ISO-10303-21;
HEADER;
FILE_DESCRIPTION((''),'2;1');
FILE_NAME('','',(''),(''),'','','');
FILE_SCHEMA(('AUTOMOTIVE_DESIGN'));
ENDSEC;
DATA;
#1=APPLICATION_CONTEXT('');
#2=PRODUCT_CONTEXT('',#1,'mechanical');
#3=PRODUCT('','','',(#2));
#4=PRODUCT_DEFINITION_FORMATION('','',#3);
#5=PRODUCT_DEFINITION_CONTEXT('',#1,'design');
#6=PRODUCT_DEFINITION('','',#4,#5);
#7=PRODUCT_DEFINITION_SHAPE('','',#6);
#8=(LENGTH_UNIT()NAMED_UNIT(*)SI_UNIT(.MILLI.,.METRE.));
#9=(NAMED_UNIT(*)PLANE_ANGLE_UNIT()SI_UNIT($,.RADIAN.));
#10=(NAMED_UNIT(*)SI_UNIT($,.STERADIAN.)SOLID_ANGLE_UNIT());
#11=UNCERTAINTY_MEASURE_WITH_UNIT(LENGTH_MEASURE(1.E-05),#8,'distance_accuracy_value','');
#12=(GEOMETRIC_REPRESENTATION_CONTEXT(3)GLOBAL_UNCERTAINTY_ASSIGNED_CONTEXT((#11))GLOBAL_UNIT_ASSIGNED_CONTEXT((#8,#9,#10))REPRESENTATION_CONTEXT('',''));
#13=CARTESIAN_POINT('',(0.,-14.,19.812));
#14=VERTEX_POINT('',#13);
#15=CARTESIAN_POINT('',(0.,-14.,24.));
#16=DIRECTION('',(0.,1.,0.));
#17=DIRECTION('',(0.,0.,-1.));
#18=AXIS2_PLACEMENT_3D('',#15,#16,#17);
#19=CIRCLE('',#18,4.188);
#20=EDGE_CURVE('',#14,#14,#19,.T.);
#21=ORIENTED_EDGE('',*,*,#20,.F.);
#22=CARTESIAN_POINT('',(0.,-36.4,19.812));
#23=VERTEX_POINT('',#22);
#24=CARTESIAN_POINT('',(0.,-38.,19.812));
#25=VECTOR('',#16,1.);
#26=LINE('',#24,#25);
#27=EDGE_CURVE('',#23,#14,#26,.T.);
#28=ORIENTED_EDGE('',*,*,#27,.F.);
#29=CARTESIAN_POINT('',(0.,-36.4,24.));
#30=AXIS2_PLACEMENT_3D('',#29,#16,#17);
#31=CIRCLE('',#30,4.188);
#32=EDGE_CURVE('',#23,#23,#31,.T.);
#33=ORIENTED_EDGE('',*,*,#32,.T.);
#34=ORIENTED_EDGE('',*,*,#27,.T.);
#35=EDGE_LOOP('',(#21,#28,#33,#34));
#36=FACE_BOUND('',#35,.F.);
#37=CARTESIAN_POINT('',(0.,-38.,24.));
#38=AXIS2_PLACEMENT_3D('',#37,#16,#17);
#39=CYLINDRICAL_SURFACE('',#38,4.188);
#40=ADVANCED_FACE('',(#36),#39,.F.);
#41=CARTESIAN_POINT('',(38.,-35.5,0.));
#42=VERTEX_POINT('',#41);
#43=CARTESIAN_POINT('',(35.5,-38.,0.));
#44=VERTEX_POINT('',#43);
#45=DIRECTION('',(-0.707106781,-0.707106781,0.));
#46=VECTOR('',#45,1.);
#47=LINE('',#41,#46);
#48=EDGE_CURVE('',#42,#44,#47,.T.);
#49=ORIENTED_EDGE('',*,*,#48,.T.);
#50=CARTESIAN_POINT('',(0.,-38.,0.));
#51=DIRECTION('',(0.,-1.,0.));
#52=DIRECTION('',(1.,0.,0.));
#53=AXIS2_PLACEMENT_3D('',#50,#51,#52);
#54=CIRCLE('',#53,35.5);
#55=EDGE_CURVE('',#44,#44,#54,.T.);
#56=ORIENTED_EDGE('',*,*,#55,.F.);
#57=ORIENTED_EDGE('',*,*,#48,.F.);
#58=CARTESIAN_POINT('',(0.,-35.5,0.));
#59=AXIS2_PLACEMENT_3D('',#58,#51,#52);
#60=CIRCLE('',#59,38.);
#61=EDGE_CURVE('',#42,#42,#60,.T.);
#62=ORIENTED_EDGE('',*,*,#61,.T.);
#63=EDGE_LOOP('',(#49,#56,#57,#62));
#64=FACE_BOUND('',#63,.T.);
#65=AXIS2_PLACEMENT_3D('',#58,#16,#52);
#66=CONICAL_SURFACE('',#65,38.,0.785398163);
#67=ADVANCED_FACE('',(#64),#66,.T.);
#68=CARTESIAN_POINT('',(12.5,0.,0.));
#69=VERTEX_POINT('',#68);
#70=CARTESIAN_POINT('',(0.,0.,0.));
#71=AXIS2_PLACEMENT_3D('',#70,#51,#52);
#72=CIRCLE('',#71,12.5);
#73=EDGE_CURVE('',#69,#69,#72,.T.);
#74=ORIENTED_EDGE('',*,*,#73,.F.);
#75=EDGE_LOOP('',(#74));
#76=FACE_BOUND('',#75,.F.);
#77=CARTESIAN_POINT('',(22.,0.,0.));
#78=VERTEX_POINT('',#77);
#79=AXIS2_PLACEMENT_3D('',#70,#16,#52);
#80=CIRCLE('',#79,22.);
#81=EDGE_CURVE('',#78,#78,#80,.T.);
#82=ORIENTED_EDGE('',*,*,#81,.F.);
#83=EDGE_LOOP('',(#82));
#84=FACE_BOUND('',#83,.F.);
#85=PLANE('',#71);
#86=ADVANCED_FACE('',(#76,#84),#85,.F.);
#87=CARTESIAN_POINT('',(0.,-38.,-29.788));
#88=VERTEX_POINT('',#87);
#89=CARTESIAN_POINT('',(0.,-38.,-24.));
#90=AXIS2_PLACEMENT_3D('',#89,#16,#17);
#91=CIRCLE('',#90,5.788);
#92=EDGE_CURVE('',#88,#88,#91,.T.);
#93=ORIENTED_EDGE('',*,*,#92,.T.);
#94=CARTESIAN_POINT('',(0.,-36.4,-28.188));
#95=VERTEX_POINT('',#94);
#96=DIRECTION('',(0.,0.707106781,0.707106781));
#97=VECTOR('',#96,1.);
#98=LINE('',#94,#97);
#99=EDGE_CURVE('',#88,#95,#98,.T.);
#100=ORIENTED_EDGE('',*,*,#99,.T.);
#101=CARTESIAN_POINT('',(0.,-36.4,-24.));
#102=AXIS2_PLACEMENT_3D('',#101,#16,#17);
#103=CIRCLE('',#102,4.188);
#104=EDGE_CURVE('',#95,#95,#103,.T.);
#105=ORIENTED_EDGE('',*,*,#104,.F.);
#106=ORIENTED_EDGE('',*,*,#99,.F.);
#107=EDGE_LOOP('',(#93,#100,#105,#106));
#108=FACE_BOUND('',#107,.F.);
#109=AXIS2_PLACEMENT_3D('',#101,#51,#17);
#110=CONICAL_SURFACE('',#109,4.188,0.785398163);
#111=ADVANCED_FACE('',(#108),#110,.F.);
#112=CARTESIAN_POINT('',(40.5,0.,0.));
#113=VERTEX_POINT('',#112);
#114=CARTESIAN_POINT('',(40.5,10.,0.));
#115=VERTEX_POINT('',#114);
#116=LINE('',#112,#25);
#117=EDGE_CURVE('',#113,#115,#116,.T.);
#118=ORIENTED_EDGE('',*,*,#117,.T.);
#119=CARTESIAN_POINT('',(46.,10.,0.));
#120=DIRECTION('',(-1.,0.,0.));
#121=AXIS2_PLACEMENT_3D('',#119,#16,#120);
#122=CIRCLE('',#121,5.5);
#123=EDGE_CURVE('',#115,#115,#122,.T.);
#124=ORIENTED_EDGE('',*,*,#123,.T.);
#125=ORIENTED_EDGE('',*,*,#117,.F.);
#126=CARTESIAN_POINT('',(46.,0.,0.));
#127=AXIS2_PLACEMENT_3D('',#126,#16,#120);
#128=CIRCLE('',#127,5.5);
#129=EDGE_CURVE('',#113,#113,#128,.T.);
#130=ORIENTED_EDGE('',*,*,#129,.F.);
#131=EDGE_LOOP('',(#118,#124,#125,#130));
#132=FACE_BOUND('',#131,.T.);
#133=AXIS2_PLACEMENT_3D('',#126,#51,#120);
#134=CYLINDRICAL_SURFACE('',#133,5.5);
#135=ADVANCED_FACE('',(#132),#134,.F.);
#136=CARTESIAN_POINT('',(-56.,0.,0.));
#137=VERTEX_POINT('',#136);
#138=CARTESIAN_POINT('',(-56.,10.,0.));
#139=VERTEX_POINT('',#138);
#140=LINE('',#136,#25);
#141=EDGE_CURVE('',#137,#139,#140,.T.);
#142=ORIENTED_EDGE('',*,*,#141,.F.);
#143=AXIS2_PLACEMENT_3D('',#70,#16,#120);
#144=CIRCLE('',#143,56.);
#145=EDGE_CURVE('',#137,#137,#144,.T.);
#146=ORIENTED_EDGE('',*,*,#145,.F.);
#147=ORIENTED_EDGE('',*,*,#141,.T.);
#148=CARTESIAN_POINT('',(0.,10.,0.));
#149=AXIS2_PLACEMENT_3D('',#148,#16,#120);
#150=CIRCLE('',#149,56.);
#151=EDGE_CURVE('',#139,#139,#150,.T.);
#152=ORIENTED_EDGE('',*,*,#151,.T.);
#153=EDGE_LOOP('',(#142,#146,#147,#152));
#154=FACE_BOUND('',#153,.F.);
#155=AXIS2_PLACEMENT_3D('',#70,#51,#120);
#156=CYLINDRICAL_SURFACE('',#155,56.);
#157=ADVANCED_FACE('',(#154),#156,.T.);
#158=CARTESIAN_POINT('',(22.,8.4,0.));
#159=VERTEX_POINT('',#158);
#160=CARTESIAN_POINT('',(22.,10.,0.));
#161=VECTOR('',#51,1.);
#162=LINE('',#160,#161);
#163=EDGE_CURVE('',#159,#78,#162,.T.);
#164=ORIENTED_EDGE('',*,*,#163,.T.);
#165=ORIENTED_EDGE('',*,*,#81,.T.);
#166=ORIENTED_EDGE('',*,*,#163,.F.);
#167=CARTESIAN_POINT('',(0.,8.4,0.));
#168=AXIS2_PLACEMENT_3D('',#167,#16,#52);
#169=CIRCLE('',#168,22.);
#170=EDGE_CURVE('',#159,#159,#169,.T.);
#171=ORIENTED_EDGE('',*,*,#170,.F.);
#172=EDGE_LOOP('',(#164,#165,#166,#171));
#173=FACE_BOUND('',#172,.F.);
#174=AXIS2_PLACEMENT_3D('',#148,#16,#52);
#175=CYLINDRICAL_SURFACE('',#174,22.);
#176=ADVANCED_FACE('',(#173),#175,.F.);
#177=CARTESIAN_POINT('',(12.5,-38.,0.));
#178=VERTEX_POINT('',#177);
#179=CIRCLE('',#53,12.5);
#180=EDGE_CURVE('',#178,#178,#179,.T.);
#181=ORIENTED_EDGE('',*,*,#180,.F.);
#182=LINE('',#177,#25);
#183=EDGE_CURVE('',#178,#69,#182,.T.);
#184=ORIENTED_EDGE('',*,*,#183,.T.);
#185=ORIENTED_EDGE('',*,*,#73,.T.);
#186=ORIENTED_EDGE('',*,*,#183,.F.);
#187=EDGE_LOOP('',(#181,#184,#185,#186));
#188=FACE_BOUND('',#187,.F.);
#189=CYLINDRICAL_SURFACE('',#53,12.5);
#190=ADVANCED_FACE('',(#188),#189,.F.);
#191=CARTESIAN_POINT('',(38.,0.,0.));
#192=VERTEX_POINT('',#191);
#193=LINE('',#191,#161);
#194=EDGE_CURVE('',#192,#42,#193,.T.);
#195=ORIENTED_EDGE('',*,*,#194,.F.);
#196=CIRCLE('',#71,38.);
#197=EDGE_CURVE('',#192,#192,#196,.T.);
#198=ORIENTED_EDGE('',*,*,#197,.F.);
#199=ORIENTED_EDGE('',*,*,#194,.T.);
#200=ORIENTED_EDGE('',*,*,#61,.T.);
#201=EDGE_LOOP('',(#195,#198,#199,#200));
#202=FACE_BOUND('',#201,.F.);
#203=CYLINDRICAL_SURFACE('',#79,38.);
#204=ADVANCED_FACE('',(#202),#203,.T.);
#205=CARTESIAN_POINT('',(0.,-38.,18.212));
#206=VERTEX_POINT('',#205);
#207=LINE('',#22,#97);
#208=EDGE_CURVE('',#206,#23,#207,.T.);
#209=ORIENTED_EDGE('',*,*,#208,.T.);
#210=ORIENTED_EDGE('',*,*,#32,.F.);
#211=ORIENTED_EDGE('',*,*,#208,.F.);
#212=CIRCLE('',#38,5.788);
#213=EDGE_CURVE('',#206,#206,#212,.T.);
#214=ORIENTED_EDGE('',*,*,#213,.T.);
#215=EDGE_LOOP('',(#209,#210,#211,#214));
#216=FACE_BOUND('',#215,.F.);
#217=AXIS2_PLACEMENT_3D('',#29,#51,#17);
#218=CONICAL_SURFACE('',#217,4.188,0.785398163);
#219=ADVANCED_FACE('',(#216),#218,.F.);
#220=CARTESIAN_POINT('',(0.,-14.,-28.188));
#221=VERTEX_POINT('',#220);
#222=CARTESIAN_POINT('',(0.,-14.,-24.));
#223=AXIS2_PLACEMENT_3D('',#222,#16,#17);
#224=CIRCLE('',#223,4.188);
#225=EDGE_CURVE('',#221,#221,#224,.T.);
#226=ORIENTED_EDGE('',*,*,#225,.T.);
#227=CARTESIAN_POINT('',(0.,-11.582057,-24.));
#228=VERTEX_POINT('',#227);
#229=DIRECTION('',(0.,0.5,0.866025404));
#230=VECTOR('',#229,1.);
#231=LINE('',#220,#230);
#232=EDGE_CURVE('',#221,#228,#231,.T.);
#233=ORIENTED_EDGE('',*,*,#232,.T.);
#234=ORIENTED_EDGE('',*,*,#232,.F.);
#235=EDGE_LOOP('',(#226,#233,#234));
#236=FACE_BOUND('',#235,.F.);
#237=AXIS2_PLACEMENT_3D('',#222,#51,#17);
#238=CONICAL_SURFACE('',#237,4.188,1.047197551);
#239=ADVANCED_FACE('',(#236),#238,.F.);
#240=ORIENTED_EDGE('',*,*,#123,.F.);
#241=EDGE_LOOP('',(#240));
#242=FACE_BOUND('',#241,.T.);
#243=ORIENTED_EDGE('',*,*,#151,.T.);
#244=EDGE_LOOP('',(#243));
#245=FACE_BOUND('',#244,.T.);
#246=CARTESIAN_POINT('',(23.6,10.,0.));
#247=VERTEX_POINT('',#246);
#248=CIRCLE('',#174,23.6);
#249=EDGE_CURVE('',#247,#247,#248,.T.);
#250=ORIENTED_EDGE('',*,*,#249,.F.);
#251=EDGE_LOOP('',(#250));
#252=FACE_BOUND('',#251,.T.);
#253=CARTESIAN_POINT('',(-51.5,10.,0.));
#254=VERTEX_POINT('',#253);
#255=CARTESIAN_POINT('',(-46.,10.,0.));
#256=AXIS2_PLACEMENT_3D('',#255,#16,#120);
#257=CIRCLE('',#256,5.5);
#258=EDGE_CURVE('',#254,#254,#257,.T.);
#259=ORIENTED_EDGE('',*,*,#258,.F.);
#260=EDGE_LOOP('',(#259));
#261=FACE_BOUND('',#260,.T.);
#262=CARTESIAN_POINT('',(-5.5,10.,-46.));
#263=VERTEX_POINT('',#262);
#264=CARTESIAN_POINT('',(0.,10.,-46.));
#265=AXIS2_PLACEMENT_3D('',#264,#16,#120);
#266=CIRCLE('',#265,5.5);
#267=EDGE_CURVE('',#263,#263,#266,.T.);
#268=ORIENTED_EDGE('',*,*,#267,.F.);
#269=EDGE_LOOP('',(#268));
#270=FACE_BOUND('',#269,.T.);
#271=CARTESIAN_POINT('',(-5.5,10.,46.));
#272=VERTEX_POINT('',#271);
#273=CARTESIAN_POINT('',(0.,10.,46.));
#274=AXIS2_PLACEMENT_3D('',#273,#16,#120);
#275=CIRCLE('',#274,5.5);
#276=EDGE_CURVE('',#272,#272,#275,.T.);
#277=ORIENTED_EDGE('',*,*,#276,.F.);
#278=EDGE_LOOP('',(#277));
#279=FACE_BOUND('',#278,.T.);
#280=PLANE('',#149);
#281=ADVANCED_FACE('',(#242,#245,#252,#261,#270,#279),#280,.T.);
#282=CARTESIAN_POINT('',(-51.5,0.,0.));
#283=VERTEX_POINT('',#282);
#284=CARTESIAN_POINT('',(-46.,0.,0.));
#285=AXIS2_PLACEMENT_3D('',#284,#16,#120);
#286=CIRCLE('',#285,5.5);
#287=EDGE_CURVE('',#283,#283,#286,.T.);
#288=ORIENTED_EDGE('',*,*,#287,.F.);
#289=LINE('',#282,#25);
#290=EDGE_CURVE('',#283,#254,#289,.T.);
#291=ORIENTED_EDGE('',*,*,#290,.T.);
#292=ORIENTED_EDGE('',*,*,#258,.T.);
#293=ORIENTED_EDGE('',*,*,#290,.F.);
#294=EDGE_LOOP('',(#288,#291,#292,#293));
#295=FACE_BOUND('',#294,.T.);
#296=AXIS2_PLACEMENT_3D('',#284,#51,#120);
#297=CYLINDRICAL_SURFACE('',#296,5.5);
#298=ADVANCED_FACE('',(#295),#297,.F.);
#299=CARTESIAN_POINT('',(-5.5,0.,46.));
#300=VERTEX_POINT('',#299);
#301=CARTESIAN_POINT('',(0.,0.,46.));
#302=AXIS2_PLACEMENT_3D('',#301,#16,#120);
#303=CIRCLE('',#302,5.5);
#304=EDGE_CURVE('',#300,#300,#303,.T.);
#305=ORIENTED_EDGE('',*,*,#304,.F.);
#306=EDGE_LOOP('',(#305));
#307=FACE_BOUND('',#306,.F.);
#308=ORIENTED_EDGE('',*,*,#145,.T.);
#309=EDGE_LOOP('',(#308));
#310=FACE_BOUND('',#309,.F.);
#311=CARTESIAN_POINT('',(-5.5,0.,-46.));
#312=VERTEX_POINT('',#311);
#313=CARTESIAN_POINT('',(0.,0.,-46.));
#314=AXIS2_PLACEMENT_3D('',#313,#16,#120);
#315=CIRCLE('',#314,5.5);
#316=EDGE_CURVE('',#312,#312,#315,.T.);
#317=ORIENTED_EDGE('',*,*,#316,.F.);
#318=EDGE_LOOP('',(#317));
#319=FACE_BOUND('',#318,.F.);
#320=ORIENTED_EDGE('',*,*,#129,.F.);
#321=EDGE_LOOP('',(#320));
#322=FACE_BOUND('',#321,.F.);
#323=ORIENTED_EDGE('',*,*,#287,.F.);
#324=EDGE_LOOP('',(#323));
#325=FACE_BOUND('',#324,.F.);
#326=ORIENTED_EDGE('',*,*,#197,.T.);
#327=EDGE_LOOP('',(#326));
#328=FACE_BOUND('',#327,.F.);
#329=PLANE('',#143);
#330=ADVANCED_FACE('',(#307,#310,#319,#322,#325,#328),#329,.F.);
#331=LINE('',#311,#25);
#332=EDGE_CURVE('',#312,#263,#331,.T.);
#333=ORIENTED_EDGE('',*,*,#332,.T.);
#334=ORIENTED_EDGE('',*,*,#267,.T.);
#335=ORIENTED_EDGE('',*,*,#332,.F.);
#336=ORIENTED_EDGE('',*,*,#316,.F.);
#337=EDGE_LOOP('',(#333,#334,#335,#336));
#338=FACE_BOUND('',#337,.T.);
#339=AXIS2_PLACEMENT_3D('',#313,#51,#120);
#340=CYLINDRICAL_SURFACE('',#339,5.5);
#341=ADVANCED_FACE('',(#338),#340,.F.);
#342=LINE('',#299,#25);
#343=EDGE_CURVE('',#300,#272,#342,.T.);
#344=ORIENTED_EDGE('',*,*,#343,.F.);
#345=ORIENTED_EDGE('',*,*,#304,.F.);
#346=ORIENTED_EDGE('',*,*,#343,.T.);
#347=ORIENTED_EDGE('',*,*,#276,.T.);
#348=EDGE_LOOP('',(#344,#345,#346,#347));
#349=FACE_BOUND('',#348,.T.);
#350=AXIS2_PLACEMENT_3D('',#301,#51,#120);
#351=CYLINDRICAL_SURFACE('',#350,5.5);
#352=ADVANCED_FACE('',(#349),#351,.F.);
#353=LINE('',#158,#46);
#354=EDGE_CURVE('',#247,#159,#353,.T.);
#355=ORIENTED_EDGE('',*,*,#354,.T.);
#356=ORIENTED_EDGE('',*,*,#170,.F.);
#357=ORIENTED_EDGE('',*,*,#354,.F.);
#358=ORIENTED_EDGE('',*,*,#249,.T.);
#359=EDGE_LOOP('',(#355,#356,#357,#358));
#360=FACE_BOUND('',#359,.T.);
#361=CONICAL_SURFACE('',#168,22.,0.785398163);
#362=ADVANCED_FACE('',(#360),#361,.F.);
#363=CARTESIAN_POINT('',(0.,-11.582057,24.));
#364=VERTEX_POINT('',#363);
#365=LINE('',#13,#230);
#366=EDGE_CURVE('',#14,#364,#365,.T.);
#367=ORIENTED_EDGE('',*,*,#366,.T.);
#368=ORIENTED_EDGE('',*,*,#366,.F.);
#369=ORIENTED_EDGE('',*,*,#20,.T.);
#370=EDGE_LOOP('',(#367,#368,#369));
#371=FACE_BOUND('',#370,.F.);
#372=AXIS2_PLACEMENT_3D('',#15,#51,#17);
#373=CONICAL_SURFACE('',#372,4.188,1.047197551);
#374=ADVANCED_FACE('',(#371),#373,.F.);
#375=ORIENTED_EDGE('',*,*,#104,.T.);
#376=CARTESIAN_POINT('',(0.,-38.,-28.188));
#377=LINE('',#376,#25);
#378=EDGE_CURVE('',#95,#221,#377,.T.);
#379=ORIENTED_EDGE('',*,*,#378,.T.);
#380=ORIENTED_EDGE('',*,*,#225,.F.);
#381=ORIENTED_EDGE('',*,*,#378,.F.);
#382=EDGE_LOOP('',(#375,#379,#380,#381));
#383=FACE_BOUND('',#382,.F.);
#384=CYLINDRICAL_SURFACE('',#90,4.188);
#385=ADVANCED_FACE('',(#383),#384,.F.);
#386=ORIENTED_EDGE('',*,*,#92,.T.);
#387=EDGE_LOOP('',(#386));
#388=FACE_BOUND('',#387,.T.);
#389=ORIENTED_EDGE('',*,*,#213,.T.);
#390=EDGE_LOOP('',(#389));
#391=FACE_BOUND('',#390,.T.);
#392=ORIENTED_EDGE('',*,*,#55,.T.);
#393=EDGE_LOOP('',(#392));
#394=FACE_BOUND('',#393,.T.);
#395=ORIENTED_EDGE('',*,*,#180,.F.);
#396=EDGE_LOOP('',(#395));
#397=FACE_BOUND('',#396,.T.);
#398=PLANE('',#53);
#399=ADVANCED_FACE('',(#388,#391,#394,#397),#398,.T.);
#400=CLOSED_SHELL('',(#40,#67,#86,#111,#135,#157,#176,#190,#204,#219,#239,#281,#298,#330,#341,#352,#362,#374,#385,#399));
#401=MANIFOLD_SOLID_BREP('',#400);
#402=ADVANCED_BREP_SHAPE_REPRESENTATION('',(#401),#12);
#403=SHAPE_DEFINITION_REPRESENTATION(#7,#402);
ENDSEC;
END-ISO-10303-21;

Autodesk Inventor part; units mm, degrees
ref_plane "YZ Plane" through (0, 0, 0) normal (1, 0, 0) x (0, 1, 0)
ref_plane "XZ Plane" through (0, 0, 0) normal (0, 1, 0) x (-1, 0, 0)
ref_plane "XY Plane" through (0, 0, 0) normal (0, 0, 1) x (1, 0, 0)
sketch "Эскиз1" plane through (0, 0, 0) normal (0, 1, 0) x (-1, 0, 0)
  circle A0 centre (0, 0) radius 56
  circle A1 centre (46, 0) radius 5.5
  circle A2 centre (0, 46) radius 5.5
  circle A3 centre (-46, 0) radius 5.5
  circle A4 centre (0, -46) radius 5.5
  dimension "d0" = 112
  dimension "d1" = 11
  dimension "d2" = 46
  dimension "d5" = 360
extrude "Выдавливание1" add sketch "Эскиз1" along normal blind 10
sketch "Эскиз3" plane through (0, 10, 0) normal (0, 1, 0) x (1, 0, 0)
  circle A0 centre (0, 0) radius 22
  dimension "d9" = 44
extrude "Выдавливание2" cut sketch "Эскиз3" against normal blind 10
sketch "Эскиз4" plane through (0, 0, 0) normal (0, -1, 0) x (1, 0, 0)
  circle A0 centre (0, 0) radius 38
  dimension "d12" = 76
extrude "Выдавливание3" add sketch "Эскиз4" along normal blind 38
sketch "Эскиз5" plane through (0, -38, 0) normal (0, -1, 0) x (1, 0, 0)
  circle A0 centre (0, 0) radius 12.5
  dimension "d15" = 25
extrude "Выдавливание4" cut sketch "Эскиз5" against normal through all
chamfer "Фаска1" distance 1.6 angle 45 1 edges at (-22, 10, 0)
chamfer "Фаска2" distance 2.5 angle 45 1 edges at (-38, -38, 0)
sketch "Эскиз6" plane through (0, -38, 0) normal (0, -1, 0) x (1, 0, 0)
  point P0 (0, 0)
  point P1 (0, -24)
  point P2 (0, 24)
  dimension "d24" = 24
  dimension "d25" = 48
hole "Отверстие1" at (0, -38, -24) at (0, -38, 24) direction (0, 1, 0) diameter 8.376 depth 24 tip angle 120 thread size "M10x1.5" class "6H" standard "ISO Metric profile"
chamfer "Фаска3" distance 1.6 angle 45 2 edges at (0, -38, -19.812) (0, -38, 28.188)
properties part number "Фланец"
